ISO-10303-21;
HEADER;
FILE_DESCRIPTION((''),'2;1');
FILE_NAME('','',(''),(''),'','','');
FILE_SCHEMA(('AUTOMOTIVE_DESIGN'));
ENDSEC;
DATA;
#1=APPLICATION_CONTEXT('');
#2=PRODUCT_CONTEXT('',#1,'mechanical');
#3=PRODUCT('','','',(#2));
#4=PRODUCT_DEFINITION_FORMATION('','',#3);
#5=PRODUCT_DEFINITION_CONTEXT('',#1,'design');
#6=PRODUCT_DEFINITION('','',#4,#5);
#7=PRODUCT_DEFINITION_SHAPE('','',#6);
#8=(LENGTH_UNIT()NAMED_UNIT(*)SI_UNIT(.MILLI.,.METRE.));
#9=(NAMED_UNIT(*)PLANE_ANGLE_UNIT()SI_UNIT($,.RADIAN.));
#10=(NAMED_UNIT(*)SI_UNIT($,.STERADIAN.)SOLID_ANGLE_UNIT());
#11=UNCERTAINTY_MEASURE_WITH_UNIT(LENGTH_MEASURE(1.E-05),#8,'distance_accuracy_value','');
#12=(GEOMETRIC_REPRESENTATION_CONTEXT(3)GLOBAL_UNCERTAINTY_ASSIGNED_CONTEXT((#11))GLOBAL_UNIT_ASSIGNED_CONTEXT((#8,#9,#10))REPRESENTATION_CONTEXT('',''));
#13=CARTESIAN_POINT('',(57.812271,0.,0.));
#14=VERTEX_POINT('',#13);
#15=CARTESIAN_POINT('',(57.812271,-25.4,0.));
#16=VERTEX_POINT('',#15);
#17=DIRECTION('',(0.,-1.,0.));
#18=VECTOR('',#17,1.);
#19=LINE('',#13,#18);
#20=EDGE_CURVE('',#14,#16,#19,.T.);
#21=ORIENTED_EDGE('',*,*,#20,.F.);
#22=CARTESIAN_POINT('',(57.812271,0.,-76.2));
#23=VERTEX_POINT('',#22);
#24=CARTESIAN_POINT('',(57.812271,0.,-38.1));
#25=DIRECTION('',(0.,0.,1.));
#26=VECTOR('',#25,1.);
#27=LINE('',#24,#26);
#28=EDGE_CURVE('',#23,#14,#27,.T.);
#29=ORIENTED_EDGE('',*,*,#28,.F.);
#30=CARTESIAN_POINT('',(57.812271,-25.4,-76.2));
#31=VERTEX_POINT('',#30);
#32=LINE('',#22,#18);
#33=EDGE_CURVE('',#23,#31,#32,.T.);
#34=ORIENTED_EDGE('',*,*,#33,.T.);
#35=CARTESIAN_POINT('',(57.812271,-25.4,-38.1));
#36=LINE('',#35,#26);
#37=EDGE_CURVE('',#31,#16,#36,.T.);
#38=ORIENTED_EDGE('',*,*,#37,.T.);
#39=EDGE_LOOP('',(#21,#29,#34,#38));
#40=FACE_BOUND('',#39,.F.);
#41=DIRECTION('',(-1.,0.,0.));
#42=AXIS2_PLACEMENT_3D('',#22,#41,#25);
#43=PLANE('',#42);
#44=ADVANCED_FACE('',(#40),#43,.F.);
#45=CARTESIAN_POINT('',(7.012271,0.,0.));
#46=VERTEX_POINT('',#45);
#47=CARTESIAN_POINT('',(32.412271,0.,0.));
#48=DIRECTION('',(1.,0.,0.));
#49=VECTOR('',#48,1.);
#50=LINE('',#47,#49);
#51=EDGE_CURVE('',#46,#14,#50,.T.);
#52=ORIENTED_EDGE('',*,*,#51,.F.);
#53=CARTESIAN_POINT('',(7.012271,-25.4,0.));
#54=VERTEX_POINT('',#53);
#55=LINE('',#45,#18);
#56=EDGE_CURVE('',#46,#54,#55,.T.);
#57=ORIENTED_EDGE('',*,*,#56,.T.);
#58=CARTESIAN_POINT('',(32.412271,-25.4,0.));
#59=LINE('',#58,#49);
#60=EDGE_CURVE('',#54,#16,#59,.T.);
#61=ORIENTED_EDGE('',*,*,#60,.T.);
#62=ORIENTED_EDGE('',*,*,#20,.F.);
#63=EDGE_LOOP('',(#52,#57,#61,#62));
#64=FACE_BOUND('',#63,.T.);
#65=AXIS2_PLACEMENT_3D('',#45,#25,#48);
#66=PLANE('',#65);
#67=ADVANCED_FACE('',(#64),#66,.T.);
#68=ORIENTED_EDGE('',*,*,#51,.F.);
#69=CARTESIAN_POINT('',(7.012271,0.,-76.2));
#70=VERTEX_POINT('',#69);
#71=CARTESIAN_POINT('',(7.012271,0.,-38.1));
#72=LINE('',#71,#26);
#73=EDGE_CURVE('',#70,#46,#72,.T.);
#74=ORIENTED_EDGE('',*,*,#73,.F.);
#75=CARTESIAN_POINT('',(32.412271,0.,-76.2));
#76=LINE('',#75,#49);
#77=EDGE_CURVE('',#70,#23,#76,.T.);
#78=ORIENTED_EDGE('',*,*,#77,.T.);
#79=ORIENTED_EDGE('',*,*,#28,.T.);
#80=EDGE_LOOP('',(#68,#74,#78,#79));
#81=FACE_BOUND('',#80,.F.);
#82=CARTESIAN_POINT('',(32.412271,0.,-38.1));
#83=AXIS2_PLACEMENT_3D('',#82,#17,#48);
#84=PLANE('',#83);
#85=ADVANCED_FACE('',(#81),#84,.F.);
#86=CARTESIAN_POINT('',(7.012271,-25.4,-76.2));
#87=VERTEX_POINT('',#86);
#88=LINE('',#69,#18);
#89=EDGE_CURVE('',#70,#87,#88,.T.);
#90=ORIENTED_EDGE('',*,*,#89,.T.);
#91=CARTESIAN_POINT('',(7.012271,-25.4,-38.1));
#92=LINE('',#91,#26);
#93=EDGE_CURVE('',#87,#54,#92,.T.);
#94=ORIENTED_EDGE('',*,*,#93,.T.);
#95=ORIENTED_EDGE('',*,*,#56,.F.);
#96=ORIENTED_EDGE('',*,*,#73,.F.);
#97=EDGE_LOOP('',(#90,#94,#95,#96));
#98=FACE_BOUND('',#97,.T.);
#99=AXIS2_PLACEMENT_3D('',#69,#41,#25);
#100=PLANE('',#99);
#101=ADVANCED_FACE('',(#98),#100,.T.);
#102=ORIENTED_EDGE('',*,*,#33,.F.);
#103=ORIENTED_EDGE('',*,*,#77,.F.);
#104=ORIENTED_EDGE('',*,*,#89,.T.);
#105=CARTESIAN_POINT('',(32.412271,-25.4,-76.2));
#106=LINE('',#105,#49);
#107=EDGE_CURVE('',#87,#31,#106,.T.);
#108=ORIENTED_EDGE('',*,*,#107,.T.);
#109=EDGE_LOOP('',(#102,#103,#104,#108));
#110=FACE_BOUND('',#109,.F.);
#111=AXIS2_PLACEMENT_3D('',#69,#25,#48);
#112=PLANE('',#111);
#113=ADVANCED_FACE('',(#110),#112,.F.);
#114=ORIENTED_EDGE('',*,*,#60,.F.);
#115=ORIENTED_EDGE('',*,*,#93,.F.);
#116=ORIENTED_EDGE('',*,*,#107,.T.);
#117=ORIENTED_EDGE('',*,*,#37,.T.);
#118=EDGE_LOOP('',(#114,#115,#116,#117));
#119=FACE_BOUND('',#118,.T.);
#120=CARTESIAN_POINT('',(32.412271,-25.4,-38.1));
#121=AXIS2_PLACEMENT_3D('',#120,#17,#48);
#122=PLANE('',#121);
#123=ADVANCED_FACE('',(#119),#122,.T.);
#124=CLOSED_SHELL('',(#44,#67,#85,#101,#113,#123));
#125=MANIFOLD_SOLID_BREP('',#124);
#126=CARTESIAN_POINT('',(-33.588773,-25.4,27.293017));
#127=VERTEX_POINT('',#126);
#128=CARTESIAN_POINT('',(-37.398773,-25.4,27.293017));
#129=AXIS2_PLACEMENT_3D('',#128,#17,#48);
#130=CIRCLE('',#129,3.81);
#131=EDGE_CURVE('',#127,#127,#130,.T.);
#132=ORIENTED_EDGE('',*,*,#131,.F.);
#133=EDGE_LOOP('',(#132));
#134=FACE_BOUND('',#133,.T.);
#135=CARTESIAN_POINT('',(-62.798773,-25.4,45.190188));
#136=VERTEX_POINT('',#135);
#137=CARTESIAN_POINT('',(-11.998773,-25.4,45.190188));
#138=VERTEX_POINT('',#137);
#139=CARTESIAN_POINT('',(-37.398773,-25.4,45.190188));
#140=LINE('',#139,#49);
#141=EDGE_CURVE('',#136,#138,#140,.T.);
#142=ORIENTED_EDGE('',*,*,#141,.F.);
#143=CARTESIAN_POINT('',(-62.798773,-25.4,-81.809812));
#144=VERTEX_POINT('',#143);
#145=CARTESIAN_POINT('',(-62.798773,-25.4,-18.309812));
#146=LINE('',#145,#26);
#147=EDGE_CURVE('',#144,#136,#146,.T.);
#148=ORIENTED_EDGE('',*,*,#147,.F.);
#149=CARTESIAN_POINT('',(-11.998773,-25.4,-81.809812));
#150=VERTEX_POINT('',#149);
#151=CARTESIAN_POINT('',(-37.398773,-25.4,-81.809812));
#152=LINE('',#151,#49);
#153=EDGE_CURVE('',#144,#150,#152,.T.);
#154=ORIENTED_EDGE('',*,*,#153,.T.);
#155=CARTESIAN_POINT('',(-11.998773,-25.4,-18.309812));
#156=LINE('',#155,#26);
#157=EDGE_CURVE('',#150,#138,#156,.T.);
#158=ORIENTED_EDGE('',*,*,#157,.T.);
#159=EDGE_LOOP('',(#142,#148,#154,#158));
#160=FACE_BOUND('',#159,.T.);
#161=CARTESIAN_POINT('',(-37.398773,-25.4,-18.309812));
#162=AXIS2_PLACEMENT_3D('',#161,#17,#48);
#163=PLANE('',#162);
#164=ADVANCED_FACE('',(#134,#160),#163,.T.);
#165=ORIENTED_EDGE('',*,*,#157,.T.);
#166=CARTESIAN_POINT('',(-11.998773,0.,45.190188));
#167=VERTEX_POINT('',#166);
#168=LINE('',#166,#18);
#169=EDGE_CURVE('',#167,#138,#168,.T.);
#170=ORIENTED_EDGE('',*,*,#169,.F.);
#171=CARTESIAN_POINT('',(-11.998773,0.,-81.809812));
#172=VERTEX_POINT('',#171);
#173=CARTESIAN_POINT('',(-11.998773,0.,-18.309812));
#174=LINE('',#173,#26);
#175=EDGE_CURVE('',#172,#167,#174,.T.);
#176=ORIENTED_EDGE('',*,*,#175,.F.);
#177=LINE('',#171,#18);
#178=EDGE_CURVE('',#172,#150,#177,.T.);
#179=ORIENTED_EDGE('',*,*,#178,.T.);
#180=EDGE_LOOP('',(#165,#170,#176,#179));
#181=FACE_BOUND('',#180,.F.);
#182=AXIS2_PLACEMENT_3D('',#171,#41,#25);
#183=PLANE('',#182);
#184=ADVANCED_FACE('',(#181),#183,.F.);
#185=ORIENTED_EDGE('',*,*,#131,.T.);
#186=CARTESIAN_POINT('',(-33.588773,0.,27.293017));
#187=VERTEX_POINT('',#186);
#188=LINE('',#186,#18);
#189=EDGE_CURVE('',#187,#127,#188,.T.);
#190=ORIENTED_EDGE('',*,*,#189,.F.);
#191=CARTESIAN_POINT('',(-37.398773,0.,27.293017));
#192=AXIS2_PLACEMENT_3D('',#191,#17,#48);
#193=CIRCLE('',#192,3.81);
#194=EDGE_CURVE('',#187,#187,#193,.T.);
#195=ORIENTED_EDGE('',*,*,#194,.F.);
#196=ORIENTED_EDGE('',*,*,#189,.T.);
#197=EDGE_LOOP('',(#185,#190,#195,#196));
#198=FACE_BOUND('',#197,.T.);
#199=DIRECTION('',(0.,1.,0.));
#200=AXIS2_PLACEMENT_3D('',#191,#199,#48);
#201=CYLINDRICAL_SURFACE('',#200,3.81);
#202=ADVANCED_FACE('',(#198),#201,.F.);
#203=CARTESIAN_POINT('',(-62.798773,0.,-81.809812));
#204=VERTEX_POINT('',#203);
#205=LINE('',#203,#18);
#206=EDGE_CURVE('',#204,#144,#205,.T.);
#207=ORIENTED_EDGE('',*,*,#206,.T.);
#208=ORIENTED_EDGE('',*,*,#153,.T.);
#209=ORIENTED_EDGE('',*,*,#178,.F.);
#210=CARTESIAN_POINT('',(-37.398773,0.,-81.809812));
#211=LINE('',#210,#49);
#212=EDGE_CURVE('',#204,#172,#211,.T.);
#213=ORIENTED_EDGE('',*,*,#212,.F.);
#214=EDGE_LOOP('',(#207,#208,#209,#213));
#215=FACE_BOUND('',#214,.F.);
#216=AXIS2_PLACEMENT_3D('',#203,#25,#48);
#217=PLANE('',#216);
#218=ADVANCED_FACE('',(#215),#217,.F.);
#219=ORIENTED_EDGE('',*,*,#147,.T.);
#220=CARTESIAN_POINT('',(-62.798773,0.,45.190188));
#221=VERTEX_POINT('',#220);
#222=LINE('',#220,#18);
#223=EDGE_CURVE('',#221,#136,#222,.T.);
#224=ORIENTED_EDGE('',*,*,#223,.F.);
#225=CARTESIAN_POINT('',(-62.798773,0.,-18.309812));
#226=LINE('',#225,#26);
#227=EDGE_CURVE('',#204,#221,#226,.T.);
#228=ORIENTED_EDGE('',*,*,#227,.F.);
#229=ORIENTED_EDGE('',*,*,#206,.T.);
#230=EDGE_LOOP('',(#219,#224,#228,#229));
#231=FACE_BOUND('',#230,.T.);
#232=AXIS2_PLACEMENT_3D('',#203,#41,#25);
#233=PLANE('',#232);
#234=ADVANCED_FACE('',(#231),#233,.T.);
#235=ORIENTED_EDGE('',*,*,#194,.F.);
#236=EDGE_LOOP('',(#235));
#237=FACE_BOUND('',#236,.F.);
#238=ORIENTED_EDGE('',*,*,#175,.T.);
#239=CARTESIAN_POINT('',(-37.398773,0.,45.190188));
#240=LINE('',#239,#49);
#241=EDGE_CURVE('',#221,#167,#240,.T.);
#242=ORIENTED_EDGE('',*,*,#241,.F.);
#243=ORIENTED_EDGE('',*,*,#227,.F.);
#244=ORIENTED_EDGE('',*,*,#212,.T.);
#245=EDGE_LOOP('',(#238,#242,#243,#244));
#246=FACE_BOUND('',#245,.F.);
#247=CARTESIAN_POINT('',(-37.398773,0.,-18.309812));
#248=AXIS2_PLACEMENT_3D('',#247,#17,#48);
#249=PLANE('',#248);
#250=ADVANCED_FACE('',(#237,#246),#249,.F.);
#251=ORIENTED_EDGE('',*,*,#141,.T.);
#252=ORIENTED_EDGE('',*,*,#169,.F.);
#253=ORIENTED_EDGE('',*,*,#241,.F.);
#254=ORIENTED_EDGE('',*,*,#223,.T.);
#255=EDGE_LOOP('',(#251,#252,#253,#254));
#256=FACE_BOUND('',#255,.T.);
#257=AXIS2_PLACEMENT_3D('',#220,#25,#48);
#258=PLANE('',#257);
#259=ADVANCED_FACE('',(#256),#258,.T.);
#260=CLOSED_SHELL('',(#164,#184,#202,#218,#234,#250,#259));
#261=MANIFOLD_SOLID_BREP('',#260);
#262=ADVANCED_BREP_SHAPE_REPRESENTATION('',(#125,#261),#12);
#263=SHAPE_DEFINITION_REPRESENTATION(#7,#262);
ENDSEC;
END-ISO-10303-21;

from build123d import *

# Parameters (mm, degrees)
F0_W     = 50.8
F0_H     = 127
F0_R     = 3.81
F0_H_2   = 76.2
F1_DEPTH = 25.4


with BuildPart() as f1:
    # F0 (on Front) → F1 (new body)
    with BuildSketch(Plane.XZ):
        with Locations((-37.398773, -18.309812)):
            Rectangle(F0_W, F0_H)
        with Locations((-37.398773, 27.293017)):
            Circle(F0_R, mode=Mode.SUBTRACT)
        with Locations((32.412271, -38.1)):
            Rectangle(F0_W, F0_H_2)
    extrude(amount=F1_DEPTH)


solid = f1.part
